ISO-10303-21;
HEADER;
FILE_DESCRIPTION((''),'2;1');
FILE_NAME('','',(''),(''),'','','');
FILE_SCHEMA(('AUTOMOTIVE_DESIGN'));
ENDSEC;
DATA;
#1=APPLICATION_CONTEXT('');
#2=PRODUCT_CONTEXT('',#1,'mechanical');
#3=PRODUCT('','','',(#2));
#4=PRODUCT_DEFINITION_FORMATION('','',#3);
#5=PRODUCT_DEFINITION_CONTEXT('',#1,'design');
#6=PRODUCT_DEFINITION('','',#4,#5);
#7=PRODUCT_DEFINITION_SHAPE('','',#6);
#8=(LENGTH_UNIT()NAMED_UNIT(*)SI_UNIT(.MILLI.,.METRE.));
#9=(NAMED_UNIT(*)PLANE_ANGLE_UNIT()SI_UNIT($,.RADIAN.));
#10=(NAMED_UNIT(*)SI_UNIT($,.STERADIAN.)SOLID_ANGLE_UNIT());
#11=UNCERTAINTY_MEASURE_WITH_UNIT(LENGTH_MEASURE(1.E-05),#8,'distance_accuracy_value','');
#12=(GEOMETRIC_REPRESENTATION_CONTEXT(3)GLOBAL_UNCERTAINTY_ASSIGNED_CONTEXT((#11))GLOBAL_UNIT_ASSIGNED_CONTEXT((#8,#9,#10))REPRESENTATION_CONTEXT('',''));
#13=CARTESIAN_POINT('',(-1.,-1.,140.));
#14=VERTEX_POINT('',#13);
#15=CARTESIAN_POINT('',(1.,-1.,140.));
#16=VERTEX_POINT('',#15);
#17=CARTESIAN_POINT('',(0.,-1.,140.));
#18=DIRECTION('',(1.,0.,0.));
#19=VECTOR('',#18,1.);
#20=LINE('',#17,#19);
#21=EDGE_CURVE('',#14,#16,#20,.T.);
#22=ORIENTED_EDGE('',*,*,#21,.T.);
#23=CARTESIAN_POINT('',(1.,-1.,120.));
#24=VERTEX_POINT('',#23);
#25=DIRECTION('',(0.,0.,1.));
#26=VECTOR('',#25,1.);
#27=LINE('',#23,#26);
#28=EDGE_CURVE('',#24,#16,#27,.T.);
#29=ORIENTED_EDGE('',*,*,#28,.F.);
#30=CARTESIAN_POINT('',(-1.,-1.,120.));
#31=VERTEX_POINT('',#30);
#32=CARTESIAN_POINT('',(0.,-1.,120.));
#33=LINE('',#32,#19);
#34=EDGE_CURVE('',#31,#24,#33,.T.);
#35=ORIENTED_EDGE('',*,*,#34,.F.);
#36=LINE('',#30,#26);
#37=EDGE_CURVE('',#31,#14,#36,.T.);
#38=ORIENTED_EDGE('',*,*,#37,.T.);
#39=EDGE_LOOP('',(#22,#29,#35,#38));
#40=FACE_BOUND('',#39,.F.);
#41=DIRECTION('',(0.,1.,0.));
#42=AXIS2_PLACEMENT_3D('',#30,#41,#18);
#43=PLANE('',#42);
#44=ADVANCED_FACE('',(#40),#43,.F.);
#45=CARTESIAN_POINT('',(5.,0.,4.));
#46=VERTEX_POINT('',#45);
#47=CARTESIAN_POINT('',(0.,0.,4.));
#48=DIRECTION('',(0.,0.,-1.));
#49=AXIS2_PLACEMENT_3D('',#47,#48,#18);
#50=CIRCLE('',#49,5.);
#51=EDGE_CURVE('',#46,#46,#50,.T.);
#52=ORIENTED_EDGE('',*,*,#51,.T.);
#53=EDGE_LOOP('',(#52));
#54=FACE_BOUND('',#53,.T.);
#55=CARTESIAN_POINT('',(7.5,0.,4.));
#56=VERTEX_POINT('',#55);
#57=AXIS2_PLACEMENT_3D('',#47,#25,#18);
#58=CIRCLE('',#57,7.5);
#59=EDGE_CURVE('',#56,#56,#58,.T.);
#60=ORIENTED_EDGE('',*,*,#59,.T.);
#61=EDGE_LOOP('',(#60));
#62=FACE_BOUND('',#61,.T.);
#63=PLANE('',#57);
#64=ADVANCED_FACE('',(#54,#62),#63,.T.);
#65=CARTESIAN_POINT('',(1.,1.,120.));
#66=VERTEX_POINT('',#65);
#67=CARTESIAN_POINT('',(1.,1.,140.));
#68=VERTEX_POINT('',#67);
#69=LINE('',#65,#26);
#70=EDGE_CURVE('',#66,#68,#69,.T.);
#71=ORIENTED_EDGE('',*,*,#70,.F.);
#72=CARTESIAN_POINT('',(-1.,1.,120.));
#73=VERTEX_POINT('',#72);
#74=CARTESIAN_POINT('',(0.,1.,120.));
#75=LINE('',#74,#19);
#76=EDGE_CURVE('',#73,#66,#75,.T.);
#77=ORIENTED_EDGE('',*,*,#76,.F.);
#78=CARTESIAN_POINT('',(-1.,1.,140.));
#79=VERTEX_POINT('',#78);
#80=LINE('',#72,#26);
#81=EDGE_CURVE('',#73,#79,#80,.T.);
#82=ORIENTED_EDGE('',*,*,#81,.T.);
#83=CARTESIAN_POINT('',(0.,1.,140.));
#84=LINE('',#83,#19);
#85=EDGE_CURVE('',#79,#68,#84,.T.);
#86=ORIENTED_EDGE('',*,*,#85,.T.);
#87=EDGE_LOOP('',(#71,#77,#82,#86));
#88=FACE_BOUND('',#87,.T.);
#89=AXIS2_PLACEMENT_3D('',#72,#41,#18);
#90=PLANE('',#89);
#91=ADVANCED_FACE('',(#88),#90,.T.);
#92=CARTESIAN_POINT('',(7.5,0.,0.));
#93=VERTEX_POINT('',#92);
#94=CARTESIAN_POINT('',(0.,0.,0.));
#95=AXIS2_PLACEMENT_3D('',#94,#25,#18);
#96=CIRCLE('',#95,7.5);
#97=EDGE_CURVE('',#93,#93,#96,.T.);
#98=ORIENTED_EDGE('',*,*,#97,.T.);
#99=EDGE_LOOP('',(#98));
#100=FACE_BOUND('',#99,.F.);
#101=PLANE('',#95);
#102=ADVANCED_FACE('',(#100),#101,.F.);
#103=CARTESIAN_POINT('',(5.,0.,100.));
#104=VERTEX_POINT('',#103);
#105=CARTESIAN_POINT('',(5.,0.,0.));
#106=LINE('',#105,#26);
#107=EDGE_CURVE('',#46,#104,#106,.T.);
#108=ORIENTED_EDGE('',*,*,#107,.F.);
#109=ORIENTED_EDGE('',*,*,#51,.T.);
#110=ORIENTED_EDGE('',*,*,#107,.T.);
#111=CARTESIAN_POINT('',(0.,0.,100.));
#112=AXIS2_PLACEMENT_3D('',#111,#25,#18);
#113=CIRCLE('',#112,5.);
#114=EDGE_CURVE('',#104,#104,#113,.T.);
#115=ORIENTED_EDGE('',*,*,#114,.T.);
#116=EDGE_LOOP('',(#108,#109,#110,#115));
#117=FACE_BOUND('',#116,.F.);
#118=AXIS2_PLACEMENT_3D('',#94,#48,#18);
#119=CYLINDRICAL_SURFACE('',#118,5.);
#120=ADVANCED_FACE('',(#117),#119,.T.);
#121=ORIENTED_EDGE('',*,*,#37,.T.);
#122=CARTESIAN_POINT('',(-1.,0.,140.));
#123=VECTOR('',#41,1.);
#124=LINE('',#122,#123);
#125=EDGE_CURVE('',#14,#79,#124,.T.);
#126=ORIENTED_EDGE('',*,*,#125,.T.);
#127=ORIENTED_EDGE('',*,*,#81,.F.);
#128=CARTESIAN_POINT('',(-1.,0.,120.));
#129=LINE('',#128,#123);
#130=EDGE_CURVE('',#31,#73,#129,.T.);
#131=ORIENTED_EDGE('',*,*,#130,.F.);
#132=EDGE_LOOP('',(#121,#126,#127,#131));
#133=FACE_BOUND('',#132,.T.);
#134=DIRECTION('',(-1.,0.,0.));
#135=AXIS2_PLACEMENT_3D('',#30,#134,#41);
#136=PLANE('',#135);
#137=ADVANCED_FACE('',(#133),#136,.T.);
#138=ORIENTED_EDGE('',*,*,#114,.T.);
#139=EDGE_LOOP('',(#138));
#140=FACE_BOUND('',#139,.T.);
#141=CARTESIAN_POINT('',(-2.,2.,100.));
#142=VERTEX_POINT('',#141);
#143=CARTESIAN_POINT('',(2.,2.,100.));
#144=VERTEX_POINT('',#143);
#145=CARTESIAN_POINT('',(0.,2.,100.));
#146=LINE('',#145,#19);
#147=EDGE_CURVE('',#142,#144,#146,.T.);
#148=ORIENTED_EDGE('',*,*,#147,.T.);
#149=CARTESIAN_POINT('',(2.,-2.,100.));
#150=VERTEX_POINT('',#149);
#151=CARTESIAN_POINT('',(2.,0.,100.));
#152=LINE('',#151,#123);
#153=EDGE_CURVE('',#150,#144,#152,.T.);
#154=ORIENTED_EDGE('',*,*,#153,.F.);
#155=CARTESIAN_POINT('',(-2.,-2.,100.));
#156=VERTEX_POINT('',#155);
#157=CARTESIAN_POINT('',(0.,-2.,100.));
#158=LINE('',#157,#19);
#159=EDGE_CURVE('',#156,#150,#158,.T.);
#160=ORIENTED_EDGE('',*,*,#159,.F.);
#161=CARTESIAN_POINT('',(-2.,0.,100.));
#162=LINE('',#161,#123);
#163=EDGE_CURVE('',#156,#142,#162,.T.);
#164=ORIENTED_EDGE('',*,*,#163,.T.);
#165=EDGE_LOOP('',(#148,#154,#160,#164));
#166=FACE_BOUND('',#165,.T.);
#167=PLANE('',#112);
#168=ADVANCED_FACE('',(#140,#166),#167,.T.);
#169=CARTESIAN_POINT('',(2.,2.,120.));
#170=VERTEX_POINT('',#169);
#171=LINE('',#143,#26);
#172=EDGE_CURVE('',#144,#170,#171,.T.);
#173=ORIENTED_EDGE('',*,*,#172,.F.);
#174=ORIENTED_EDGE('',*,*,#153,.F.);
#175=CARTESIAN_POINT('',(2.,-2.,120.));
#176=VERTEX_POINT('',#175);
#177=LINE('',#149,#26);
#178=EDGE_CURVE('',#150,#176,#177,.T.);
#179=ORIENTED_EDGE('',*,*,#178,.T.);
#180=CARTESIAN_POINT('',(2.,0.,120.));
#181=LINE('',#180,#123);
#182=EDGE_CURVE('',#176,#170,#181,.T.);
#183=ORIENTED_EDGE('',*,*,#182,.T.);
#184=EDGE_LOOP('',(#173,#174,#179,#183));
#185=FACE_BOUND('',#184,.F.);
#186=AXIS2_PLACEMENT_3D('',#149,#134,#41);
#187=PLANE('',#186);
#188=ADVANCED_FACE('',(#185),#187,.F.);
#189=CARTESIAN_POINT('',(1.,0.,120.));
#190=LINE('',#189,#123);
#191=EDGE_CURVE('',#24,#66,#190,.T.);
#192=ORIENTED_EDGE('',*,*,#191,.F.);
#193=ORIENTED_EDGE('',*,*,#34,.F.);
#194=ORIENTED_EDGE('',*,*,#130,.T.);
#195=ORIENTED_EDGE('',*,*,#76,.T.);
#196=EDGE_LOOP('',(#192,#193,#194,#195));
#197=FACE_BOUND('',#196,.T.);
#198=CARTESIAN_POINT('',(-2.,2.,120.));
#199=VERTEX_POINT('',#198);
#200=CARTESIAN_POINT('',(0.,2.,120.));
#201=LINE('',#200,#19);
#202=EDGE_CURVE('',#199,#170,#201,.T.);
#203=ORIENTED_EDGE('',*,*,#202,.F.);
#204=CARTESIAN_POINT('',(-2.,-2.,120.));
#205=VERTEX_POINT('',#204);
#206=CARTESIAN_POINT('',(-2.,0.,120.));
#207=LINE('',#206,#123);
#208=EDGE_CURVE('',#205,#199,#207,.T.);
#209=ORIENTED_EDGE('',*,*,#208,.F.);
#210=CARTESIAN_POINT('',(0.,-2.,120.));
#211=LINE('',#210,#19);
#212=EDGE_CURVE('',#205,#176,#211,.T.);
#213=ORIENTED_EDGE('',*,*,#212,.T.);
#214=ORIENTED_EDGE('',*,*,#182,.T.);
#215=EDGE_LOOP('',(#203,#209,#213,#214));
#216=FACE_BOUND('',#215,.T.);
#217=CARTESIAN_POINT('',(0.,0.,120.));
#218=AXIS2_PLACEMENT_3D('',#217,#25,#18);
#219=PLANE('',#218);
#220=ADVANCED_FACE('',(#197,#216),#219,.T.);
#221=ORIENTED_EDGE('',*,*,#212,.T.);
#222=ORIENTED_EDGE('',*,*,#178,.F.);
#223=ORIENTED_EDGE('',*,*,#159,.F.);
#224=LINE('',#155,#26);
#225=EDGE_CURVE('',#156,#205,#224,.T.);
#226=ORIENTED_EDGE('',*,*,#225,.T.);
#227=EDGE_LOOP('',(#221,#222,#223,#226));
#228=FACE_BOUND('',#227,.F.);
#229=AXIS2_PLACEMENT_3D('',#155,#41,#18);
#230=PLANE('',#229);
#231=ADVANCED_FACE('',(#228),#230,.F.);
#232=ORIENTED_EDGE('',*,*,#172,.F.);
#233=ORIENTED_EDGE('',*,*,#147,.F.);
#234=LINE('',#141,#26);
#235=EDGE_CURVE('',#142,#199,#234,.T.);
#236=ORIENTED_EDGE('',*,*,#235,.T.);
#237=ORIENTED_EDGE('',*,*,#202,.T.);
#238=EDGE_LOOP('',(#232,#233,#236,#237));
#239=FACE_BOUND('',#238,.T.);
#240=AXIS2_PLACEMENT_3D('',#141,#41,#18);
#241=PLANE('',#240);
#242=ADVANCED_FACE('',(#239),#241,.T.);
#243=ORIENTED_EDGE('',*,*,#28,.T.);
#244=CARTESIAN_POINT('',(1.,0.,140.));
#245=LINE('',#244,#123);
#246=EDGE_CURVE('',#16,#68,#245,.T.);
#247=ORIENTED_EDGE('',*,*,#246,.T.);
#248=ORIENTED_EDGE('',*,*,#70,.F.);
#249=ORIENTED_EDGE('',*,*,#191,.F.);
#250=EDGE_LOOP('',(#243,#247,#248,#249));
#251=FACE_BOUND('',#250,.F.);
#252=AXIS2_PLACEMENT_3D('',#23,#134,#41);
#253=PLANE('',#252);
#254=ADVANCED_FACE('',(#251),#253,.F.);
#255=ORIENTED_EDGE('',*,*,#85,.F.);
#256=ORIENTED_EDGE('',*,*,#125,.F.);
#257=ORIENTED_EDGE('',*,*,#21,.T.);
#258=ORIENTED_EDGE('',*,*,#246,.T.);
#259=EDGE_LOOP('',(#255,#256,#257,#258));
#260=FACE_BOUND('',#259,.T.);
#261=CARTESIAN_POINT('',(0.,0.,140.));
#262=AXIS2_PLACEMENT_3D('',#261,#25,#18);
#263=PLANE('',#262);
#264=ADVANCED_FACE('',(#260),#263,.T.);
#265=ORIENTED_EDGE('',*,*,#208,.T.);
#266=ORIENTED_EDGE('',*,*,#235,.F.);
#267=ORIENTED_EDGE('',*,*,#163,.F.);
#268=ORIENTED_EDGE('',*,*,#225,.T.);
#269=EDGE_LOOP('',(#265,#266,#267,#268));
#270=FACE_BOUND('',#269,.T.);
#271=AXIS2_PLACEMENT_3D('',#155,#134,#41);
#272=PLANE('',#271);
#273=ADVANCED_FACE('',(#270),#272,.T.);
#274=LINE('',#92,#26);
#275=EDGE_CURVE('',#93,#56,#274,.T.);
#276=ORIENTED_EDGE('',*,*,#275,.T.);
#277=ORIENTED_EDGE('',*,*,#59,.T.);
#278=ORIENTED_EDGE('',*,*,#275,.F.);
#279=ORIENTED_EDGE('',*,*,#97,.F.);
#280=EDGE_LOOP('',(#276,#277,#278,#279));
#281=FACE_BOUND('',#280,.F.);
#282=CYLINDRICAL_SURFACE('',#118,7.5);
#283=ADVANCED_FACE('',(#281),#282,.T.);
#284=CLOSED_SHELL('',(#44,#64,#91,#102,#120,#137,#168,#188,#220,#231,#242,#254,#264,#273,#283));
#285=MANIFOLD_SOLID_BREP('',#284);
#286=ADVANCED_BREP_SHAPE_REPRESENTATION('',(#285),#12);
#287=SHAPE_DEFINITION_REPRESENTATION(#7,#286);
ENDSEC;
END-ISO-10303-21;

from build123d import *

# Parameters (mm, degrees)
F0_R     = 7.5
F1_DEPTH = 4
F2_R     = 5
F3_DEPTH = 100
F4_W     = 4
F4_H     = 4
F5_DEPTH = 20
F6_W     = 2
F6_H     = 2
F7_DEPTH = 20


with BuildPart() as f1:
    # F0 (on Top) → F1 (new body)
    with BuildSketch(Plane.XY):
        Circle(F0_R)
    extrude(amount=F1_DEPTH)

    # F2 (on Top) → F3 (join)
    with BuildSketch(Plane.XY):
        Circle(F2_R)
    extrude(amount=F3_DEPTH)

    # F4 (on face) → F5 (join)
    with BuildSketch(Plane.XY.offset(100)):
        Rectangle(F4_W, F4_H)
    extrude(amount=F5_DEPTH)

    # F6 (on face) → F7 (join)
    with BuildSketch(Plane.XY.offset(120)):
        Rectangle(F6_W, F6_H)
    extrude(amount=F7_DEPTH)


solid = f1.part
